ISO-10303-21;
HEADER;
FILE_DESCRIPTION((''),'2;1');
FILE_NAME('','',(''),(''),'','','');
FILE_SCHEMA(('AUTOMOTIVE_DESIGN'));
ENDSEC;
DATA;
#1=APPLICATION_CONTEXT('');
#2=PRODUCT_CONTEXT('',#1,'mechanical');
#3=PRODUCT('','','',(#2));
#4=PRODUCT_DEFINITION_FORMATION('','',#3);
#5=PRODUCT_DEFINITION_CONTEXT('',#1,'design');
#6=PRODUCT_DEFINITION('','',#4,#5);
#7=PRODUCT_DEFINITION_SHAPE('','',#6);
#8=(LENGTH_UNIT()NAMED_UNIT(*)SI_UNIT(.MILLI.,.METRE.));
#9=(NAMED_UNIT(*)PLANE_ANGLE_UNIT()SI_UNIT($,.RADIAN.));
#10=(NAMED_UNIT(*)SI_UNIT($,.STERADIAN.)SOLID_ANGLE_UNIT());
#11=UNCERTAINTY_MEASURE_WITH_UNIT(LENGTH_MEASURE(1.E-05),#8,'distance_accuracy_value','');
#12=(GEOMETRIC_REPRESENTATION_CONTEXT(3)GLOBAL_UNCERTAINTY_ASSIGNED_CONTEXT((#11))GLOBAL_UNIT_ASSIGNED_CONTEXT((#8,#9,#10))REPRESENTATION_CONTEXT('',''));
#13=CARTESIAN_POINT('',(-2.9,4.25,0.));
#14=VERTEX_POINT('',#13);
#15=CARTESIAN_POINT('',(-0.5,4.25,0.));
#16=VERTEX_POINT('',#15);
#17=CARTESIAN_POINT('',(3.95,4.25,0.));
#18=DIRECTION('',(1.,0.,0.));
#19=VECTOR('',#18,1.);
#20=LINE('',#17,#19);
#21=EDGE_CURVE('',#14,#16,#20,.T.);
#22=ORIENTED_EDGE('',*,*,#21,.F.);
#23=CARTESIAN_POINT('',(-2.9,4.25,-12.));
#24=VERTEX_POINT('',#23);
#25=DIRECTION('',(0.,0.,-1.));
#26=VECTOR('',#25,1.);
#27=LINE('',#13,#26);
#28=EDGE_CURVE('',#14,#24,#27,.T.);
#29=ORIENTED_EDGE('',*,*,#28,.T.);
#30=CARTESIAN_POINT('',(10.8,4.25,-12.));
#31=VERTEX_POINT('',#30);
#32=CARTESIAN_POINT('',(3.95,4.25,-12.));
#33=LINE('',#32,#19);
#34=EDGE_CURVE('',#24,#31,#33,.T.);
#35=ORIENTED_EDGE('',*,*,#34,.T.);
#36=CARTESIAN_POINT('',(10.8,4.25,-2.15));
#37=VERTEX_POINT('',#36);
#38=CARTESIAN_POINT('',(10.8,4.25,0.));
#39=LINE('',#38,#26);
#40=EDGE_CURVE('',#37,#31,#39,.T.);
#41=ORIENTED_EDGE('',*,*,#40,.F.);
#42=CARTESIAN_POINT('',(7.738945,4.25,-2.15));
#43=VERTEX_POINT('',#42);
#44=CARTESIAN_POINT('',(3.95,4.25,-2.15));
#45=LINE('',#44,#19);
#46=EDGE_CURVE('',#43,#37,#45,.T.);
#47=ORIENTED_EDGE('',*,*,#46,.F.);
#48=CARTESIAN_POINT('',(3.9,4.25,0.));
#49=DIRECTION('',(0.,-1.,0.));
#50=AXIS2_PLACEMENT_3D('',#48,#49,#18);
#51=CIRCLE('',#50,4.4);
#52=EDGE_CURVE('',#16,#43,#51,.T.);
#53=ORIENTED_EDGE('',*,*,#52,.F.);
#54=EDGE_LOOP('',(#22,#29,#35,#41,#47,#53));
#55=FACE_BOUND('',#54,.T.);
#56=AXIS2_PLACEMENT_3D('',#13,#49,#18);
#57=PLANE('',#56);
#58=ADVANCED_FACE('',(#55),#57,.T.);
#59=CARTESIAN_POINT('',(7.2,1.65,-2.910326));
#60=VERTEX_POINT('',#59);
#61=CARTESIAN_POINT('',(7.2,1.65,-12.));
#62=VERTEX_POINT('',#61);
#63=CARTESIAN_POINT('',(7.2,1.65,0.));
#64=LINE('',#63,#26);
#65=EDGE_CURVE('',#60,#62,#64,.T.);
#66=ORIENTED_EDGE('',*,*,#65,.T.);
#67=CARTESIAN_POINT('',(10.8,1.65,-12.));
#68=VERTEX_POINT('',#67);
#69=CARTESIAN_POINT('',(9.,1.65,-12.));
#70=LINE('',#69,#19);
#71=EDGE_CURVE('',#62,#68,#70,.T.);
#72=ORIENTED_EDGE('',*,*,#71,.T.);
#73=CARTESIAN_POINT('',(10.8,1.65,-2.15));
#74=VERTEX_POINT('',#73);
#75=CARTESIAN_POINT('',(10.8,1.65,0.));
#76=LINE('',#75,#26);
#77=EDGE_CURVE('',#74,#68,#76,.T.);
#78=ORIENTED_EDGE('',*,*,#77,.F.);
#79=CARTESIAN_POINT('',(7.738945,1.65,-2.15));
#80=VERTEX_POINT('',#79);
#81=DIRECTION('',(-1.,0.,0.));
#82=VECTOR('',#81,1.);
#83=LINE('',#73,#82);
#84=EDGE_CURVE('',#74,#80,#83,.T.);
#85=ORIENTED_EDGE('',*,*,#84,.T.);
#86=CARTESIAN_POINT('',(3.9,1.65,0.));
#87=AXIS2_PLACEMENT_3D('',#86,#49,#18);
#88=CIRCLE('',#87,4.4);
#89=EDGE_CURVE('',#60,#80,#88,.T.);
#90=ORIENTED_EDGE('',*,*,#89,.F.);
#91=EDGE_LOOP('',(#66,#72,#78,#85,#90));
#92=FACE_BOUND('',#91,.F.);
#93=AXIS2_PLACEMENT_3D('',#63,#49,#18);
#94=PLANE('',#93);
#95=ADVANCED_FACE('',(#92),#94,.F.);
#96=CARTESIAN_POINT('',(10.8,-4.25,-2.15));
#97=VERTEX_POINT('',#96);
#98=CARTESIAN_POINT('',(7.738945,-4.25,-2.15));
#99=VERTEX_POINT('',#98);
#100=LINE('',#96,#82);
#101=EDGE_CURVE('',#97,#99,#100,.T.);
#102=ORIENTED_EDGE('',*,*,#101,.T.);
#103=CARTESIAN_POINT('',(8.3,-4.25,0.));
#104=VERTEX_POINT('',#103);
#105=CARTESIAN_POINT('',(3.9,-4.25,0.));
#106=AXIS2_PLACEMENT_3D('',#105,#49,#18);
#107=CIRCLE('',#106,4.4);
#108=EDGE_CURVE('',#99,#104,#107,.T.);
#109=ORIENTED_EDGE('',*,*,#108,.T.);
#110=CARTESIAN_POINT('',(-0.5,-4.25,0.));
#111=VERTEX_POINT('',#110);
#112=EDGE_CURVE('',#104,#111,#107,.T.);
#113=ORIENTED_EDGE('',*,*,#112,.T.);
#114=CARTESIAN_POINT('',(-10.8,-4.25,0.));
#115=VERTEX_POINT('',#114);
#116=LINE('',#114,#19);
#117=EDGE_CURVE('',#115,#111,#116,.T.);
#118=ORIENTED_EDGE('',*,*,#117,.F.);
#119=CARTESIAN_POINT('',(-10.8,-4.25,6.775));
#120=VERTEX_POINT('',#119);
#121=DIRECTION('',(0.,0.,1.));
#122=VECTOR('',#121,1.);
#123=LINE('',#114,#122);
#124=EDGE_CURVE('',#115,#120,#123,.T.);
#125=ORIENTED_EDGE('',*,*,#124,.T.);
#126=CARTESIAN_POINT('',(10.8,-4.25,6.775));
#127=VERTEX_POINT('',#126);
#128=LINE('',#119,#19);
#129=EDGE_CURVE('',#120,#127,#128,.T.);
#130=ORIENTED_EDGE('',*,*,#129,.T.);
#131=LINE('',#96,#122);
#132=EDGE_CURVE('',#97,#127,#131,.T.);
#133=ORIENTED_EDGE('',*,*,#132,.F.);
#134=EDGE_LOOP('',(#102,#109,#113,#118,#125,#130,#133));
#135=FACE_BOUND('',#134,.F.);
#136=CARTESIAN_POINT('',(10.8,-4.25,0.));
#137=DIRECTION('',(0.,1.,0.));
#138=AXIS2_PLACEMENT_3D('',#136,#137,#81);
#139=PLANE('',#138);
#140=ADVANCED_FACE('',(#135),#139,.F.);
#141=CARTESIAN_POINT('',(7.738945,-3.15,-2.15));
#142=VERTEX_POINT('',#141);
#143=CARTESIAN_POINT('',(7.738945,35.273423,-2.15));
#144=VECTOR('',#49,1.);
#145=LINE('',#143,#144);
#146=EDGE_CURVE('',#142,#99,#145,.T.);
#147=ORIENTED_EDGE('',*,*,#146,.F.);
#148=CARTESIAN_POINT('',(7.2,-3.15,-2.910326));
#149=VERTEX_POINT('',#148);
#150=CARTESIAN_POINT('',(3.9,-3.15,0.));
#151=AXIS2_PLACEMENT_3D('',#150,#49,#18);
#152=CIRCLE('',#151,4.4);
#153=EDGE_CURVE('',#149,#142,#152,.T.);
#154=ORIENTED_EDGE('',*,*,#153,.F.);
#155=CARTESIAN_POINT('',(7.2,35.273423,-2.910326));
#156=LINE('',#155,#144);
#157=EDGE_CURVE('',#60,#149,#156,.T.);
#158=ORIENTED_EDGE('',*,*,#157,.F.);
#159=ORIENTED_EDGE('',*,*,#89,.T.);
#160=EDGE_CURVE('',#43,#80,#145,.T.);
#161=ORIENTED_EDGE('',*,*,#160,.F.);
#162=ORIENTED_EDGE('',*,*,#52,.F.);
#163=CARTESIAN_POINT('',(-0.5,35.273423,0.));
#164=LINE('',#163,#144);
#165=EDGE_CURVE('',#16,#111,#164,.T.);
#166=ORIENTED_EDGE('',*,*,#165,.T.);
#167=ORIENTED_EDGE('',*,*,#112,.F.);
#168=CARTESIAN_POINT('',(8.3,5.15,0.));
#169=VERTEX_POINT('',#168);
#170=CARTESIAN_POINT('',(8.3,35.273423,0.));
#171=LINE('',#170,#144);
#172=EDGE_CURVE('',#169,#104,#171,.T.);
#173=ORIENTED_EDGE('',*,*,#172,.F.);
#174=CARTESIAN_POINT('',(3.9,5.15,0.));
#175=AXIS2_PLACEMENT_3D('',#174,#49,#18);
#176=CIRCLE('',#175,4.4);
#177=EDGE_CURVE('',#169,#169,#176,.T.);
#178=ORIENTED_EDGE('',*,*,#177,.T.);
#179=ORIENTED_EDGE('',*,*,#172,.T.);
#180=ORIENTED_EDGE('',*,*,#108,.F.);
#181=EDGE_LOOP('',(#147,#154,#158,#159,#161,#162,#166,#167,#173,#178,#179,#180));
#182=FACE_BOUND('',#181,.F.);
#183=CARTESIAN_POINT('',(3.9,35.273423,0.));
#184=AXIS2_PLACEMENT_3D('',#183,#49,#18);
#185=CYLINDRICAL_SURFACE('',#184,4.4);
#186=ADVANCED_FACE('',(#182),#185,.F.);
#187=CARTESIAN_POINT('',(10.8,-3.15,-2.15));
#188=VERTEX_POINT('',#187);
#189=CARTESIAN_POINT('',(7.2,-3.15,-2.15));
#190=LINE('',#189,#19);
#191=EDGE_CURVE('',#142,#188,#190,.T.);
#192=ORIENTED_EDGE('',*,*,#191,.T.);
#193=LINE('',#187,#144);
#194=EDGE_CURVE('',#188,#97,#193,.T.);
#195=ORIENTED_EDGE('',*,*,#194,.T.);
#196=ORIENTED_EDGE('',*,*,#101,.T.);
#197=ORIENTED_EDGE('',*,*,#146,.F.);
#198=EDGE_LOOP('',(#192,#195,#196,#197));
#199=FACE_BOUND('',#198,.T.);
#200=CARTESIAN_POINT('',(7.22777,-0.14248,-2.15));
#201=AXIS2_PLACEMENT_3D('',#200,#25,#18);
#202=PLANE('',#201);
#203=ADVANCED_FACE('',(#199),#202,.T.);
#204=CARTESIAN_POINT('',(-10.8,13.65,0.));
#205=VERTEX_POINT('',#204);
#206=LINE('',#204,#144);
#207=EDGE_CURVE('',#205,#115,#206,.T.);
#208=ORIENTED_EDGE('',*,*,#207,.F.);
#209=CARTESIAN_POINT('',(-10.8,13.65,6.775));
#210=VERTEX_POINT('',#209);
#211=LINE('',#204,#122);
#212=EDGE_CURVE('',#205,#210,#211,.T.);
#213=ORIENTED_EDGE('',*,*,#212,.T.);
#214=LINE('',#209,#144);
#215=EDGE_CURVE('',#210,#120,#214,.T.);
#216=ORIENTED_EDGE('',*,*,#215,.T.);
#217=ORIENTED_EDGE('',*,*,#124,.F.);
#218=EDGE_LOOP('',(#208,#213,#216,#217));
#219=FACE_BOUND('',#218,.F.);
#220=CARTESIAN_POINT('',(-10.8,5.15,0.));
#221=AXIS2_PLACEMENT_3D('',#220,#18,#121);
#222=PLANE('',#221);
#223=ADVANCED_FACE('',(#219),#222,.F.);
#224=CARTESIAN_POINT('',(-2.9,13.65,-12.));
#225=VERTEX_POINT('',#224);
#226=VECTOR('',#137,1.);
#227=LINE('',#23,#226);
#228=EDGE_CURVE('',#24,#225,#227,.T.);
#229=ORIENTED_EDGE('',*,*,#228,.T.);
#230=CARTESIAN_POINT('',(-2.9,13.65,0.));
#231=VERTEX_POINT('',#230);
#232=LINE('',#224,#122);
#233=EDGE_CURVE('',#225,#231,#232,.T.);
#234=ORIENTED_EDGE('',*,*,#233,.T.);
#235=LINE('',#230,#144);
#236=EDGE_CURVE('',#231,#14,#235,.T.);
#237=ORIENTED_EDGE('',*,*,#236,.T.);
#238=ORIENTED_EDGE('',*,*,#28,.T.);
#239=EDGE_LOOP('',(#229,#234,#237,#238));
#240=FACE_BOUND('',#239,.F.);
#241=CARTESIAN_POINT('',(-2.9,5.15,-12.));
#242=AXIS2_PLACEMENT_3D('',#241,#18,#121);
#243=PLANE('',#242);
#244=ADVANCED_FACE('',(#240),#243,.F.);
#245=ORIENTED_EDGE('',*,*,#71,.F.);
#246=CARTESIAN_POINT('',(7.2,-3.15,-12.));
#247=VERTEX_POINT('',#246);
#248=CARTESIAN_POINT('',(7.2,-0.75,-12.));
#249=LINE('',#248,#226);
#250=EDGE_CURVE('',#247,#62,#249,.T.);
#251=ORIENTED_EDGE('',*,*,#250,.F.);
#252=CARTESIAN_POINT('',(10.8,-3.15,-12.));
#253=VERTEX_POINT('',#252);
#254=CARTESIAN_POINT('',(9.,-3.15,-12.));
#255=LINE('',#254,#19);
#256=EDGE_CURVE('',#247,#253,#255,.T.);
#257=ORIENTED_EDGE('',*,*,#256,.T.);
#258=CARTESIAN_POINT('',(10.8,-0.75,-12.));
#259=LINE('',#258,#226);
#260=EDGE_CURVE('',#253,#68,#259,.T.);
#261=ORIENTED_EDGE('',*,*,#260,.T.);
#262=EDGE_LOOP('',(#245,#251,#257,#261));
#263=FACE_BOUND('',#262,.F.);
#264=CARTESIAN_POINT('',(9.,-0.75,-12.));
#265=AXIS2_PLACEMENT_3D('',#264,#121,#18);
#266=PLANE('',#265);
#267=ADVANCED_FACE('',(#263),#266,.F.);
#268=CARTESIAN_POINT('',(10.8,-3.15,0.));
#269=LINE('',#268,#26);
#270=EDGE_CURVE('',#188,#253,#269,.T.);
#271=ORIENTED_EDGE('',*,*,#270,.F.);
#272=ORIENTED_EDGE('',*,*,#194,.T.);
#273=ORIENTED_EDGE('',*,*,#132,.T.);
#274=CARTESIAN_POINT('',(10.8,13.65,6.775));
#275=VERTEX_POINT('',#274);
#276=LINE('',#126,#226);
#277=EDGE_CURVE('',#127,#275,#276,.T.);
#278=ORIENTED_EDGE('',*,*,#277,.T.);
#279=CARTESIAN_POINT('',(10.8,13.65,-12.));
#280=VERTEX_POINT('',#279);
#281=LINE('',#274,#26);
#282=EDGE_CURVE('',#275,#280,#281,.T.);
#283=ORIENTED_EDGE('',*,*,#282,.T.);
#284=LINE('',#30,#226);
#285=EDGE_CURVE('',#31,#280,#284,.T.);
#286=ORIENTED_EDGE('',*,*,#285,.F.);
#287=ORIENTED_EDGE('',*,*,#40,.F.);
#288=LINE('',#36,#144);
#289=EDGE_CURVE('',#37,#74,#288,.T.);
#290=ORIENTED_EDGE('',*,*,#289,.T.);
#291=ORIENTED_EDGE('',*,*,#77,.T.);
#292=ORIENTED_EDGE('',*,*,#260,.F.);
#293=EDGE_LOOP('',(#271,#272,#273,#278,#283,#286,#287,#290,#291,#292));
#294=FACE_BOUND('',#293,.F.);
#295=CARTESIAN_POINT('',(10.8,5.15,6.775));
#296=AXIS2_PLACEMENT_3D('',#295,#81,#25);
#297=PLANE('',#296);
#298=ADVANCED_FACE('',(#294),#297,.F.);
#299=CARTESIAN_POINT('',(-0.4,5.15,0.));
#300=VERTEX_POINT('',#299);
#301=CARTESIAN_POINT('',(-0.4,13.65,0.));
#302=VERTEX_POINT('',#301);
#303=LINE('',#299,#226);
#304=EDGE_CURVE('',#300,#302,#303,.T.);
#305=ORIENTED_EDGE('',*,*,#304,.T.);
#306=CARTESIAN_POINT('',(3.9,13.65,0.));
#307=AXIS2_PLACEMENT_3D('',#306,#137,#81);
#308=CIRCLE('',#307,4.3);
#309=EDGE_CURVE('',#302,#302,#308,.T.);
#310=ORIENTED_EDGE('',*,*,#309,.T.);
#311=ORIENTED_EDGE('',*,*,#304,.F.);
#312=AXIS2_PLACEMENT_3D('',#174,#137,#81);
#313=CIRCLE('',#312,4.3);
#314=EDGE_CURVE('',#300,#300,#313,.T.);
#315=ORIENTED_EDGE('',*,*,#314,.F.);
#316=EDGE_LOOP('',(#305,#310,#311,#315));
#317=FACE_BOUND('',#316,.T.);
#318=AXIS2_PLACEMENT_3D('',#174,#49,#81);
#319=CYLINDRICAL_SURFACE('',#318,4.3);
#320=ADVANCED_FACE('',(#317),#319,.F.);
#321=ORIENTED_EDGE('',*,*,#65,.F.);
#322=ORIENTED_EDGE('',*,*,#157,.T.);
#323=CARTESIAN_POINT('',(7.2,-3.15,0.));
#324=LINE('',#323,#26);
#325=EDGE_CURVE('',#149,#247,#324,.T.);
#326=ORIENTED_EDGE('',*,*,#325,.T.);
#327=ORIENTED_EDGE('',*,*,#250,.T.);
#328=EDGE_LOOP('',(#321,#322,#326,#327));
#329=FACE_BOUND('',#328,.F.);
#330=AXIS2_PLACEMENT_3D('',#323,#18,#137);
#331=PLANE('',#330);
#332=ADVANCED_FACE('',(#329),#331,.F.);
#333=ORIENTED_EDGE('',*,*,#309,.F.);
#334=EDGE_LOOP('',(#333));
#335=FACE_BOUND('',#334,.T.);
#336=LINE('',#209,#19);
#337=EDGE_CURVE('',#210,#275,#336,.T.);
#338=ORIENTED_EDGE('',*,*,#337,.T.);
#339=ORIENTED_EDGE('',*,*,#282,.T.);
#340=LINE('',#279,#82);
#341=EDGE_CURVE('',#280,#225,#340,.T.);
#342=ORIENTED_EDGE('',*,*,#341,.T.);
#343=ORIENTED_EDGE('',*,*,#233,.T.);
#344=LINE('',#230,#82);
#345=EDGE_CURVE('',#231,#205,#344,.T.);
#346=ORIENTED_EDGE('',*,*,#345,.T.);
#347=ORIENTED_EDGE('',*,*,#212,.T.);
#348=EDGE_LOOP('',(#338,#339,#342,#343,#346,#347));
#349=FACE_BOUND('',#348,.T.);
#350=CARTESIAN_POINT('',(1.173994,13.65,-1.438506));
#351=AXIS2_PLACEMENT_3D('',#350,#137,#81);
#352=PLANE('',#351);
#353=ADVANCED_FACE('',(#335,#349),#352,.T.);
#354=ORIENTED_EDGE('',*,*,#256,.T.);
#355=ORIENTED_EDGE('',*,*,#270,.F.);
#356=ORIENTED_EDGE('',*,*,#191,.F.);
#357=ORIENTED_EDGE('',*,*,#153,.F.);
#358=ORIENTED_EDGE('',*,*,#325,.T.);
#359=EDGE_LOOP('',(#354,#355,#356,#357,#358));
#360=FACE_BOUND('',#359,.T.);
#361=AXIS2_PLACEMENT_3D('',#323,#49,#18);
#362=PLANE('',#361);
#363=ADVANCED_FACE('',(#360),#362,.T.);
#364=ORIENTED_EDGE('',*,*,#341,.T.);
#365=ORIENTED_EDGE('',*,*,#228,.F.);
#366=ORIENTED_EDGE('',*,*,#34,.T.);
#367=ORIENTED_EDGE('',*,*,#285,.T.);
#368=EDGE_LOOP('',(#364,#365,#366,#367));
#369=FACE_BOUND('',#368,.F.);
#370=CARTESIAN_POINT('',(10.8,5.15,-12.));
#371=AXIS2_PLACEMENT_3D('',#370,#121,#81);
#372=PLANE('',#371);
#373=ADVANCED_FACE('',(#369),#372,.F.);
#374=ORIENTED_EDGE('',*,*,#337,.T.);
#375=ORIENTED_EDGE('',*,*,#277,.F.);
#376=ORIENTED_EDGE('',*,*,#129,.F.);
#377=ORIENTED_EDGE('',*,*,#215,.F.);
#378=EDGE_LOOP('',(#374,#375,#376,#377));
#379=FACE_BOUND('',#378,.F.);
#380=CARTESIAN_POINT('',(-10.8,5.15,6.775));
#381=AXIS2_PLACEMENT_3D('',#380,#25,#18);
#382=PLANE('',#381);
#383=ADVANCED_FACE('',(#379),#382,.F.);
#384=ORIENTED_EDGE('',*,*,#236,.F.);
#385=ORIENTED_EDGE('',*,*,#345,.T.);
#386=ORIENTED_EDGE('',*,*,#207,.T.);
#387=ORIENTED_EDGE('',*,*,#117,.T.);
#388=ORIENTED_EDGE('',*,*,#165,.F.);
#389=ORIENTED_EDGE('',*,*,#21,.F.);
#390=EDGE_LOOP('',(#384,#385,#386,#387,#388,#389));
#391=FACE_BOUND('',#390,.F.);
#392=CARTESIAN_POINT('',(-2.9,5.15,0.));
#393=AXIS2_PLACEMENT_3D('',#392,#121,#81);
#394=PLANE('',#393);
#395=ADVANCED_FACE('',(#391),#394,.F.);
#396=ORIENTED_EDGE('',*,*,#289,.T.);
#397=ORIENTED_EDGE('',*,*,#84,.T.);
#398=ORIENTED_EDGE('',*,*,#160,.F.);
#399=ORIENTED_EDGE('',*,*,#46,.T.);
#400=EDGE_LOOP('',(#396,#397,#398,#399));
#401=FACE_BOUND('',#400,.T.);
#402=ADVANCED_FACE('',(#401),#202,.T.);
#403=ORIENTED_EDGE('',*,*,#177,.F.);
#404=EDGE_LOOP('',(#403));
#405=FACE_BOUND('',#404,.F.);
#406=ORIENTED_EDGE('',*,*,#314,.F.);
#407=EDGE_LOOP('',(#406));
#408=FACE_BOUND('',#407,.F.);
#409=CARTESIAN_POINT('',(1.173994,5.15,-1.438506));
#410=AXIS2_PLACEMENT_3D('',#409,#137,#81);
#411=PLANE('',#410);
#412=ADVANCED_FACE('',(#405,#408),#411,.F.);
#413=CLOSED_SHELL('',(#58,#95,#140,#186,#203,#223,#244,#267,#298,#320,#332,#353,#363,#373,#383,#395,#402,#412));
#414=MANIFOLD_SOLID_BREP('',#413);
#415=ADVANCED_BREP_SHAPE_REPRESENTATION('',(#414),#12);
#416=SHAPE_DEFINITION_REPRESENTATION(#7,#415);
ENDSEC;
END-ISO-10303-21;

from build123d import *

# Parameters (mm, degrees)
F5_W      = 7.9
F5_H      = 0.9
F5_W_2    = 3.6
F5_H_2    = 4.8
F5_W_3    = 13.7
F6_DEPTH  = 6.775
F7_DEPTH  = 12
F10_DEPTH = 2.15
F11_D     = 8.8
F8_R      = 5.975
F8_R_2    = 4.3
F12_DEPTH = 8.5


with BuildPart() as f6:
    # F5 (on Top) → F6 (new body)
    with BuildSketch(Plane.XY):
        with Locations((-6.85, 4.7)):
            Rectangle(F5_W, F5_H)
        with Locations((9, -0.75)):
            Rectangle(F5_W_2, F5_H_2)
        Polygon((-10.8, 4.25), (-10.8, -4.25), (10.8, -4.25), (10.8, -3.15), (7.2, -3.15), (7.2, 1.65), (10.8, 1.65), (10.8, 4.25), (-2.9, 4.25), align=None)
        with Locations((3.95, 4.7)):
            Rectangle(F5_W_3, F5_H)
    extrude(amount=F6_DEPTH)

    # F5 (on Top) → F7 (join)
    with BuildSketch(Plane.XY):
        with Locations((3.95, 4.7)):
            Rectangle(F5_W_3, F5_H)
        with Locations((9, -0.75)):
            Rectangle(F5_W_2, F5_H_2)
    extrude(amount=-F7_DEPTH)

    # F9 (on face) → F10 (join)
    with BuildSketch(Plane(origin=(0, 0, 0), x_dir=(1, 0, 0), z_dir=(0, 0, -1))):
        Polygon((3.95, 4.25), (3.95, -4.25), (10.8, -4.25), (10.8, -1.65), (7.2, -1.65), (7.2, 3.15), (10.8, 3.15), (10.8, 4.25), align=None)
    extrude(amount=F10_DEPTH)

    # F11 (through all)
    with Locations(Plane(origin=(0, 5.15, 0), x_dir=(-1, 0, 0), z_dir=(0, 1, 0))):
        with Locations((-3.9, 0)):
            Hole(F11_D / 2)

    # F8 (on face) → F12 (join)
    with BuildSketch(Plane(origin=(0, 5.15, 0), x_dir=(-1, 0, 0), z_dir=(0, 1, 0))):
        Polygon((10.8, 6.775), (-10.8, 6.775), (-10.8, -12), (2.9, -12), (2.9, 0), (10.8, 0), align=None)
        with Locations((-3.9, 0)):
            Circle(F8_R, mode=Mode.SUBTRACT)
        with Locations((-3.9, 0)):
            Circle(F8_R)
        with Locations((-3.9, 0)):
            Circle(F8_R_2, mode=Mode.SUBTRACT)
    extrude(amount=F12_DEPTH)


solid = f6.part
